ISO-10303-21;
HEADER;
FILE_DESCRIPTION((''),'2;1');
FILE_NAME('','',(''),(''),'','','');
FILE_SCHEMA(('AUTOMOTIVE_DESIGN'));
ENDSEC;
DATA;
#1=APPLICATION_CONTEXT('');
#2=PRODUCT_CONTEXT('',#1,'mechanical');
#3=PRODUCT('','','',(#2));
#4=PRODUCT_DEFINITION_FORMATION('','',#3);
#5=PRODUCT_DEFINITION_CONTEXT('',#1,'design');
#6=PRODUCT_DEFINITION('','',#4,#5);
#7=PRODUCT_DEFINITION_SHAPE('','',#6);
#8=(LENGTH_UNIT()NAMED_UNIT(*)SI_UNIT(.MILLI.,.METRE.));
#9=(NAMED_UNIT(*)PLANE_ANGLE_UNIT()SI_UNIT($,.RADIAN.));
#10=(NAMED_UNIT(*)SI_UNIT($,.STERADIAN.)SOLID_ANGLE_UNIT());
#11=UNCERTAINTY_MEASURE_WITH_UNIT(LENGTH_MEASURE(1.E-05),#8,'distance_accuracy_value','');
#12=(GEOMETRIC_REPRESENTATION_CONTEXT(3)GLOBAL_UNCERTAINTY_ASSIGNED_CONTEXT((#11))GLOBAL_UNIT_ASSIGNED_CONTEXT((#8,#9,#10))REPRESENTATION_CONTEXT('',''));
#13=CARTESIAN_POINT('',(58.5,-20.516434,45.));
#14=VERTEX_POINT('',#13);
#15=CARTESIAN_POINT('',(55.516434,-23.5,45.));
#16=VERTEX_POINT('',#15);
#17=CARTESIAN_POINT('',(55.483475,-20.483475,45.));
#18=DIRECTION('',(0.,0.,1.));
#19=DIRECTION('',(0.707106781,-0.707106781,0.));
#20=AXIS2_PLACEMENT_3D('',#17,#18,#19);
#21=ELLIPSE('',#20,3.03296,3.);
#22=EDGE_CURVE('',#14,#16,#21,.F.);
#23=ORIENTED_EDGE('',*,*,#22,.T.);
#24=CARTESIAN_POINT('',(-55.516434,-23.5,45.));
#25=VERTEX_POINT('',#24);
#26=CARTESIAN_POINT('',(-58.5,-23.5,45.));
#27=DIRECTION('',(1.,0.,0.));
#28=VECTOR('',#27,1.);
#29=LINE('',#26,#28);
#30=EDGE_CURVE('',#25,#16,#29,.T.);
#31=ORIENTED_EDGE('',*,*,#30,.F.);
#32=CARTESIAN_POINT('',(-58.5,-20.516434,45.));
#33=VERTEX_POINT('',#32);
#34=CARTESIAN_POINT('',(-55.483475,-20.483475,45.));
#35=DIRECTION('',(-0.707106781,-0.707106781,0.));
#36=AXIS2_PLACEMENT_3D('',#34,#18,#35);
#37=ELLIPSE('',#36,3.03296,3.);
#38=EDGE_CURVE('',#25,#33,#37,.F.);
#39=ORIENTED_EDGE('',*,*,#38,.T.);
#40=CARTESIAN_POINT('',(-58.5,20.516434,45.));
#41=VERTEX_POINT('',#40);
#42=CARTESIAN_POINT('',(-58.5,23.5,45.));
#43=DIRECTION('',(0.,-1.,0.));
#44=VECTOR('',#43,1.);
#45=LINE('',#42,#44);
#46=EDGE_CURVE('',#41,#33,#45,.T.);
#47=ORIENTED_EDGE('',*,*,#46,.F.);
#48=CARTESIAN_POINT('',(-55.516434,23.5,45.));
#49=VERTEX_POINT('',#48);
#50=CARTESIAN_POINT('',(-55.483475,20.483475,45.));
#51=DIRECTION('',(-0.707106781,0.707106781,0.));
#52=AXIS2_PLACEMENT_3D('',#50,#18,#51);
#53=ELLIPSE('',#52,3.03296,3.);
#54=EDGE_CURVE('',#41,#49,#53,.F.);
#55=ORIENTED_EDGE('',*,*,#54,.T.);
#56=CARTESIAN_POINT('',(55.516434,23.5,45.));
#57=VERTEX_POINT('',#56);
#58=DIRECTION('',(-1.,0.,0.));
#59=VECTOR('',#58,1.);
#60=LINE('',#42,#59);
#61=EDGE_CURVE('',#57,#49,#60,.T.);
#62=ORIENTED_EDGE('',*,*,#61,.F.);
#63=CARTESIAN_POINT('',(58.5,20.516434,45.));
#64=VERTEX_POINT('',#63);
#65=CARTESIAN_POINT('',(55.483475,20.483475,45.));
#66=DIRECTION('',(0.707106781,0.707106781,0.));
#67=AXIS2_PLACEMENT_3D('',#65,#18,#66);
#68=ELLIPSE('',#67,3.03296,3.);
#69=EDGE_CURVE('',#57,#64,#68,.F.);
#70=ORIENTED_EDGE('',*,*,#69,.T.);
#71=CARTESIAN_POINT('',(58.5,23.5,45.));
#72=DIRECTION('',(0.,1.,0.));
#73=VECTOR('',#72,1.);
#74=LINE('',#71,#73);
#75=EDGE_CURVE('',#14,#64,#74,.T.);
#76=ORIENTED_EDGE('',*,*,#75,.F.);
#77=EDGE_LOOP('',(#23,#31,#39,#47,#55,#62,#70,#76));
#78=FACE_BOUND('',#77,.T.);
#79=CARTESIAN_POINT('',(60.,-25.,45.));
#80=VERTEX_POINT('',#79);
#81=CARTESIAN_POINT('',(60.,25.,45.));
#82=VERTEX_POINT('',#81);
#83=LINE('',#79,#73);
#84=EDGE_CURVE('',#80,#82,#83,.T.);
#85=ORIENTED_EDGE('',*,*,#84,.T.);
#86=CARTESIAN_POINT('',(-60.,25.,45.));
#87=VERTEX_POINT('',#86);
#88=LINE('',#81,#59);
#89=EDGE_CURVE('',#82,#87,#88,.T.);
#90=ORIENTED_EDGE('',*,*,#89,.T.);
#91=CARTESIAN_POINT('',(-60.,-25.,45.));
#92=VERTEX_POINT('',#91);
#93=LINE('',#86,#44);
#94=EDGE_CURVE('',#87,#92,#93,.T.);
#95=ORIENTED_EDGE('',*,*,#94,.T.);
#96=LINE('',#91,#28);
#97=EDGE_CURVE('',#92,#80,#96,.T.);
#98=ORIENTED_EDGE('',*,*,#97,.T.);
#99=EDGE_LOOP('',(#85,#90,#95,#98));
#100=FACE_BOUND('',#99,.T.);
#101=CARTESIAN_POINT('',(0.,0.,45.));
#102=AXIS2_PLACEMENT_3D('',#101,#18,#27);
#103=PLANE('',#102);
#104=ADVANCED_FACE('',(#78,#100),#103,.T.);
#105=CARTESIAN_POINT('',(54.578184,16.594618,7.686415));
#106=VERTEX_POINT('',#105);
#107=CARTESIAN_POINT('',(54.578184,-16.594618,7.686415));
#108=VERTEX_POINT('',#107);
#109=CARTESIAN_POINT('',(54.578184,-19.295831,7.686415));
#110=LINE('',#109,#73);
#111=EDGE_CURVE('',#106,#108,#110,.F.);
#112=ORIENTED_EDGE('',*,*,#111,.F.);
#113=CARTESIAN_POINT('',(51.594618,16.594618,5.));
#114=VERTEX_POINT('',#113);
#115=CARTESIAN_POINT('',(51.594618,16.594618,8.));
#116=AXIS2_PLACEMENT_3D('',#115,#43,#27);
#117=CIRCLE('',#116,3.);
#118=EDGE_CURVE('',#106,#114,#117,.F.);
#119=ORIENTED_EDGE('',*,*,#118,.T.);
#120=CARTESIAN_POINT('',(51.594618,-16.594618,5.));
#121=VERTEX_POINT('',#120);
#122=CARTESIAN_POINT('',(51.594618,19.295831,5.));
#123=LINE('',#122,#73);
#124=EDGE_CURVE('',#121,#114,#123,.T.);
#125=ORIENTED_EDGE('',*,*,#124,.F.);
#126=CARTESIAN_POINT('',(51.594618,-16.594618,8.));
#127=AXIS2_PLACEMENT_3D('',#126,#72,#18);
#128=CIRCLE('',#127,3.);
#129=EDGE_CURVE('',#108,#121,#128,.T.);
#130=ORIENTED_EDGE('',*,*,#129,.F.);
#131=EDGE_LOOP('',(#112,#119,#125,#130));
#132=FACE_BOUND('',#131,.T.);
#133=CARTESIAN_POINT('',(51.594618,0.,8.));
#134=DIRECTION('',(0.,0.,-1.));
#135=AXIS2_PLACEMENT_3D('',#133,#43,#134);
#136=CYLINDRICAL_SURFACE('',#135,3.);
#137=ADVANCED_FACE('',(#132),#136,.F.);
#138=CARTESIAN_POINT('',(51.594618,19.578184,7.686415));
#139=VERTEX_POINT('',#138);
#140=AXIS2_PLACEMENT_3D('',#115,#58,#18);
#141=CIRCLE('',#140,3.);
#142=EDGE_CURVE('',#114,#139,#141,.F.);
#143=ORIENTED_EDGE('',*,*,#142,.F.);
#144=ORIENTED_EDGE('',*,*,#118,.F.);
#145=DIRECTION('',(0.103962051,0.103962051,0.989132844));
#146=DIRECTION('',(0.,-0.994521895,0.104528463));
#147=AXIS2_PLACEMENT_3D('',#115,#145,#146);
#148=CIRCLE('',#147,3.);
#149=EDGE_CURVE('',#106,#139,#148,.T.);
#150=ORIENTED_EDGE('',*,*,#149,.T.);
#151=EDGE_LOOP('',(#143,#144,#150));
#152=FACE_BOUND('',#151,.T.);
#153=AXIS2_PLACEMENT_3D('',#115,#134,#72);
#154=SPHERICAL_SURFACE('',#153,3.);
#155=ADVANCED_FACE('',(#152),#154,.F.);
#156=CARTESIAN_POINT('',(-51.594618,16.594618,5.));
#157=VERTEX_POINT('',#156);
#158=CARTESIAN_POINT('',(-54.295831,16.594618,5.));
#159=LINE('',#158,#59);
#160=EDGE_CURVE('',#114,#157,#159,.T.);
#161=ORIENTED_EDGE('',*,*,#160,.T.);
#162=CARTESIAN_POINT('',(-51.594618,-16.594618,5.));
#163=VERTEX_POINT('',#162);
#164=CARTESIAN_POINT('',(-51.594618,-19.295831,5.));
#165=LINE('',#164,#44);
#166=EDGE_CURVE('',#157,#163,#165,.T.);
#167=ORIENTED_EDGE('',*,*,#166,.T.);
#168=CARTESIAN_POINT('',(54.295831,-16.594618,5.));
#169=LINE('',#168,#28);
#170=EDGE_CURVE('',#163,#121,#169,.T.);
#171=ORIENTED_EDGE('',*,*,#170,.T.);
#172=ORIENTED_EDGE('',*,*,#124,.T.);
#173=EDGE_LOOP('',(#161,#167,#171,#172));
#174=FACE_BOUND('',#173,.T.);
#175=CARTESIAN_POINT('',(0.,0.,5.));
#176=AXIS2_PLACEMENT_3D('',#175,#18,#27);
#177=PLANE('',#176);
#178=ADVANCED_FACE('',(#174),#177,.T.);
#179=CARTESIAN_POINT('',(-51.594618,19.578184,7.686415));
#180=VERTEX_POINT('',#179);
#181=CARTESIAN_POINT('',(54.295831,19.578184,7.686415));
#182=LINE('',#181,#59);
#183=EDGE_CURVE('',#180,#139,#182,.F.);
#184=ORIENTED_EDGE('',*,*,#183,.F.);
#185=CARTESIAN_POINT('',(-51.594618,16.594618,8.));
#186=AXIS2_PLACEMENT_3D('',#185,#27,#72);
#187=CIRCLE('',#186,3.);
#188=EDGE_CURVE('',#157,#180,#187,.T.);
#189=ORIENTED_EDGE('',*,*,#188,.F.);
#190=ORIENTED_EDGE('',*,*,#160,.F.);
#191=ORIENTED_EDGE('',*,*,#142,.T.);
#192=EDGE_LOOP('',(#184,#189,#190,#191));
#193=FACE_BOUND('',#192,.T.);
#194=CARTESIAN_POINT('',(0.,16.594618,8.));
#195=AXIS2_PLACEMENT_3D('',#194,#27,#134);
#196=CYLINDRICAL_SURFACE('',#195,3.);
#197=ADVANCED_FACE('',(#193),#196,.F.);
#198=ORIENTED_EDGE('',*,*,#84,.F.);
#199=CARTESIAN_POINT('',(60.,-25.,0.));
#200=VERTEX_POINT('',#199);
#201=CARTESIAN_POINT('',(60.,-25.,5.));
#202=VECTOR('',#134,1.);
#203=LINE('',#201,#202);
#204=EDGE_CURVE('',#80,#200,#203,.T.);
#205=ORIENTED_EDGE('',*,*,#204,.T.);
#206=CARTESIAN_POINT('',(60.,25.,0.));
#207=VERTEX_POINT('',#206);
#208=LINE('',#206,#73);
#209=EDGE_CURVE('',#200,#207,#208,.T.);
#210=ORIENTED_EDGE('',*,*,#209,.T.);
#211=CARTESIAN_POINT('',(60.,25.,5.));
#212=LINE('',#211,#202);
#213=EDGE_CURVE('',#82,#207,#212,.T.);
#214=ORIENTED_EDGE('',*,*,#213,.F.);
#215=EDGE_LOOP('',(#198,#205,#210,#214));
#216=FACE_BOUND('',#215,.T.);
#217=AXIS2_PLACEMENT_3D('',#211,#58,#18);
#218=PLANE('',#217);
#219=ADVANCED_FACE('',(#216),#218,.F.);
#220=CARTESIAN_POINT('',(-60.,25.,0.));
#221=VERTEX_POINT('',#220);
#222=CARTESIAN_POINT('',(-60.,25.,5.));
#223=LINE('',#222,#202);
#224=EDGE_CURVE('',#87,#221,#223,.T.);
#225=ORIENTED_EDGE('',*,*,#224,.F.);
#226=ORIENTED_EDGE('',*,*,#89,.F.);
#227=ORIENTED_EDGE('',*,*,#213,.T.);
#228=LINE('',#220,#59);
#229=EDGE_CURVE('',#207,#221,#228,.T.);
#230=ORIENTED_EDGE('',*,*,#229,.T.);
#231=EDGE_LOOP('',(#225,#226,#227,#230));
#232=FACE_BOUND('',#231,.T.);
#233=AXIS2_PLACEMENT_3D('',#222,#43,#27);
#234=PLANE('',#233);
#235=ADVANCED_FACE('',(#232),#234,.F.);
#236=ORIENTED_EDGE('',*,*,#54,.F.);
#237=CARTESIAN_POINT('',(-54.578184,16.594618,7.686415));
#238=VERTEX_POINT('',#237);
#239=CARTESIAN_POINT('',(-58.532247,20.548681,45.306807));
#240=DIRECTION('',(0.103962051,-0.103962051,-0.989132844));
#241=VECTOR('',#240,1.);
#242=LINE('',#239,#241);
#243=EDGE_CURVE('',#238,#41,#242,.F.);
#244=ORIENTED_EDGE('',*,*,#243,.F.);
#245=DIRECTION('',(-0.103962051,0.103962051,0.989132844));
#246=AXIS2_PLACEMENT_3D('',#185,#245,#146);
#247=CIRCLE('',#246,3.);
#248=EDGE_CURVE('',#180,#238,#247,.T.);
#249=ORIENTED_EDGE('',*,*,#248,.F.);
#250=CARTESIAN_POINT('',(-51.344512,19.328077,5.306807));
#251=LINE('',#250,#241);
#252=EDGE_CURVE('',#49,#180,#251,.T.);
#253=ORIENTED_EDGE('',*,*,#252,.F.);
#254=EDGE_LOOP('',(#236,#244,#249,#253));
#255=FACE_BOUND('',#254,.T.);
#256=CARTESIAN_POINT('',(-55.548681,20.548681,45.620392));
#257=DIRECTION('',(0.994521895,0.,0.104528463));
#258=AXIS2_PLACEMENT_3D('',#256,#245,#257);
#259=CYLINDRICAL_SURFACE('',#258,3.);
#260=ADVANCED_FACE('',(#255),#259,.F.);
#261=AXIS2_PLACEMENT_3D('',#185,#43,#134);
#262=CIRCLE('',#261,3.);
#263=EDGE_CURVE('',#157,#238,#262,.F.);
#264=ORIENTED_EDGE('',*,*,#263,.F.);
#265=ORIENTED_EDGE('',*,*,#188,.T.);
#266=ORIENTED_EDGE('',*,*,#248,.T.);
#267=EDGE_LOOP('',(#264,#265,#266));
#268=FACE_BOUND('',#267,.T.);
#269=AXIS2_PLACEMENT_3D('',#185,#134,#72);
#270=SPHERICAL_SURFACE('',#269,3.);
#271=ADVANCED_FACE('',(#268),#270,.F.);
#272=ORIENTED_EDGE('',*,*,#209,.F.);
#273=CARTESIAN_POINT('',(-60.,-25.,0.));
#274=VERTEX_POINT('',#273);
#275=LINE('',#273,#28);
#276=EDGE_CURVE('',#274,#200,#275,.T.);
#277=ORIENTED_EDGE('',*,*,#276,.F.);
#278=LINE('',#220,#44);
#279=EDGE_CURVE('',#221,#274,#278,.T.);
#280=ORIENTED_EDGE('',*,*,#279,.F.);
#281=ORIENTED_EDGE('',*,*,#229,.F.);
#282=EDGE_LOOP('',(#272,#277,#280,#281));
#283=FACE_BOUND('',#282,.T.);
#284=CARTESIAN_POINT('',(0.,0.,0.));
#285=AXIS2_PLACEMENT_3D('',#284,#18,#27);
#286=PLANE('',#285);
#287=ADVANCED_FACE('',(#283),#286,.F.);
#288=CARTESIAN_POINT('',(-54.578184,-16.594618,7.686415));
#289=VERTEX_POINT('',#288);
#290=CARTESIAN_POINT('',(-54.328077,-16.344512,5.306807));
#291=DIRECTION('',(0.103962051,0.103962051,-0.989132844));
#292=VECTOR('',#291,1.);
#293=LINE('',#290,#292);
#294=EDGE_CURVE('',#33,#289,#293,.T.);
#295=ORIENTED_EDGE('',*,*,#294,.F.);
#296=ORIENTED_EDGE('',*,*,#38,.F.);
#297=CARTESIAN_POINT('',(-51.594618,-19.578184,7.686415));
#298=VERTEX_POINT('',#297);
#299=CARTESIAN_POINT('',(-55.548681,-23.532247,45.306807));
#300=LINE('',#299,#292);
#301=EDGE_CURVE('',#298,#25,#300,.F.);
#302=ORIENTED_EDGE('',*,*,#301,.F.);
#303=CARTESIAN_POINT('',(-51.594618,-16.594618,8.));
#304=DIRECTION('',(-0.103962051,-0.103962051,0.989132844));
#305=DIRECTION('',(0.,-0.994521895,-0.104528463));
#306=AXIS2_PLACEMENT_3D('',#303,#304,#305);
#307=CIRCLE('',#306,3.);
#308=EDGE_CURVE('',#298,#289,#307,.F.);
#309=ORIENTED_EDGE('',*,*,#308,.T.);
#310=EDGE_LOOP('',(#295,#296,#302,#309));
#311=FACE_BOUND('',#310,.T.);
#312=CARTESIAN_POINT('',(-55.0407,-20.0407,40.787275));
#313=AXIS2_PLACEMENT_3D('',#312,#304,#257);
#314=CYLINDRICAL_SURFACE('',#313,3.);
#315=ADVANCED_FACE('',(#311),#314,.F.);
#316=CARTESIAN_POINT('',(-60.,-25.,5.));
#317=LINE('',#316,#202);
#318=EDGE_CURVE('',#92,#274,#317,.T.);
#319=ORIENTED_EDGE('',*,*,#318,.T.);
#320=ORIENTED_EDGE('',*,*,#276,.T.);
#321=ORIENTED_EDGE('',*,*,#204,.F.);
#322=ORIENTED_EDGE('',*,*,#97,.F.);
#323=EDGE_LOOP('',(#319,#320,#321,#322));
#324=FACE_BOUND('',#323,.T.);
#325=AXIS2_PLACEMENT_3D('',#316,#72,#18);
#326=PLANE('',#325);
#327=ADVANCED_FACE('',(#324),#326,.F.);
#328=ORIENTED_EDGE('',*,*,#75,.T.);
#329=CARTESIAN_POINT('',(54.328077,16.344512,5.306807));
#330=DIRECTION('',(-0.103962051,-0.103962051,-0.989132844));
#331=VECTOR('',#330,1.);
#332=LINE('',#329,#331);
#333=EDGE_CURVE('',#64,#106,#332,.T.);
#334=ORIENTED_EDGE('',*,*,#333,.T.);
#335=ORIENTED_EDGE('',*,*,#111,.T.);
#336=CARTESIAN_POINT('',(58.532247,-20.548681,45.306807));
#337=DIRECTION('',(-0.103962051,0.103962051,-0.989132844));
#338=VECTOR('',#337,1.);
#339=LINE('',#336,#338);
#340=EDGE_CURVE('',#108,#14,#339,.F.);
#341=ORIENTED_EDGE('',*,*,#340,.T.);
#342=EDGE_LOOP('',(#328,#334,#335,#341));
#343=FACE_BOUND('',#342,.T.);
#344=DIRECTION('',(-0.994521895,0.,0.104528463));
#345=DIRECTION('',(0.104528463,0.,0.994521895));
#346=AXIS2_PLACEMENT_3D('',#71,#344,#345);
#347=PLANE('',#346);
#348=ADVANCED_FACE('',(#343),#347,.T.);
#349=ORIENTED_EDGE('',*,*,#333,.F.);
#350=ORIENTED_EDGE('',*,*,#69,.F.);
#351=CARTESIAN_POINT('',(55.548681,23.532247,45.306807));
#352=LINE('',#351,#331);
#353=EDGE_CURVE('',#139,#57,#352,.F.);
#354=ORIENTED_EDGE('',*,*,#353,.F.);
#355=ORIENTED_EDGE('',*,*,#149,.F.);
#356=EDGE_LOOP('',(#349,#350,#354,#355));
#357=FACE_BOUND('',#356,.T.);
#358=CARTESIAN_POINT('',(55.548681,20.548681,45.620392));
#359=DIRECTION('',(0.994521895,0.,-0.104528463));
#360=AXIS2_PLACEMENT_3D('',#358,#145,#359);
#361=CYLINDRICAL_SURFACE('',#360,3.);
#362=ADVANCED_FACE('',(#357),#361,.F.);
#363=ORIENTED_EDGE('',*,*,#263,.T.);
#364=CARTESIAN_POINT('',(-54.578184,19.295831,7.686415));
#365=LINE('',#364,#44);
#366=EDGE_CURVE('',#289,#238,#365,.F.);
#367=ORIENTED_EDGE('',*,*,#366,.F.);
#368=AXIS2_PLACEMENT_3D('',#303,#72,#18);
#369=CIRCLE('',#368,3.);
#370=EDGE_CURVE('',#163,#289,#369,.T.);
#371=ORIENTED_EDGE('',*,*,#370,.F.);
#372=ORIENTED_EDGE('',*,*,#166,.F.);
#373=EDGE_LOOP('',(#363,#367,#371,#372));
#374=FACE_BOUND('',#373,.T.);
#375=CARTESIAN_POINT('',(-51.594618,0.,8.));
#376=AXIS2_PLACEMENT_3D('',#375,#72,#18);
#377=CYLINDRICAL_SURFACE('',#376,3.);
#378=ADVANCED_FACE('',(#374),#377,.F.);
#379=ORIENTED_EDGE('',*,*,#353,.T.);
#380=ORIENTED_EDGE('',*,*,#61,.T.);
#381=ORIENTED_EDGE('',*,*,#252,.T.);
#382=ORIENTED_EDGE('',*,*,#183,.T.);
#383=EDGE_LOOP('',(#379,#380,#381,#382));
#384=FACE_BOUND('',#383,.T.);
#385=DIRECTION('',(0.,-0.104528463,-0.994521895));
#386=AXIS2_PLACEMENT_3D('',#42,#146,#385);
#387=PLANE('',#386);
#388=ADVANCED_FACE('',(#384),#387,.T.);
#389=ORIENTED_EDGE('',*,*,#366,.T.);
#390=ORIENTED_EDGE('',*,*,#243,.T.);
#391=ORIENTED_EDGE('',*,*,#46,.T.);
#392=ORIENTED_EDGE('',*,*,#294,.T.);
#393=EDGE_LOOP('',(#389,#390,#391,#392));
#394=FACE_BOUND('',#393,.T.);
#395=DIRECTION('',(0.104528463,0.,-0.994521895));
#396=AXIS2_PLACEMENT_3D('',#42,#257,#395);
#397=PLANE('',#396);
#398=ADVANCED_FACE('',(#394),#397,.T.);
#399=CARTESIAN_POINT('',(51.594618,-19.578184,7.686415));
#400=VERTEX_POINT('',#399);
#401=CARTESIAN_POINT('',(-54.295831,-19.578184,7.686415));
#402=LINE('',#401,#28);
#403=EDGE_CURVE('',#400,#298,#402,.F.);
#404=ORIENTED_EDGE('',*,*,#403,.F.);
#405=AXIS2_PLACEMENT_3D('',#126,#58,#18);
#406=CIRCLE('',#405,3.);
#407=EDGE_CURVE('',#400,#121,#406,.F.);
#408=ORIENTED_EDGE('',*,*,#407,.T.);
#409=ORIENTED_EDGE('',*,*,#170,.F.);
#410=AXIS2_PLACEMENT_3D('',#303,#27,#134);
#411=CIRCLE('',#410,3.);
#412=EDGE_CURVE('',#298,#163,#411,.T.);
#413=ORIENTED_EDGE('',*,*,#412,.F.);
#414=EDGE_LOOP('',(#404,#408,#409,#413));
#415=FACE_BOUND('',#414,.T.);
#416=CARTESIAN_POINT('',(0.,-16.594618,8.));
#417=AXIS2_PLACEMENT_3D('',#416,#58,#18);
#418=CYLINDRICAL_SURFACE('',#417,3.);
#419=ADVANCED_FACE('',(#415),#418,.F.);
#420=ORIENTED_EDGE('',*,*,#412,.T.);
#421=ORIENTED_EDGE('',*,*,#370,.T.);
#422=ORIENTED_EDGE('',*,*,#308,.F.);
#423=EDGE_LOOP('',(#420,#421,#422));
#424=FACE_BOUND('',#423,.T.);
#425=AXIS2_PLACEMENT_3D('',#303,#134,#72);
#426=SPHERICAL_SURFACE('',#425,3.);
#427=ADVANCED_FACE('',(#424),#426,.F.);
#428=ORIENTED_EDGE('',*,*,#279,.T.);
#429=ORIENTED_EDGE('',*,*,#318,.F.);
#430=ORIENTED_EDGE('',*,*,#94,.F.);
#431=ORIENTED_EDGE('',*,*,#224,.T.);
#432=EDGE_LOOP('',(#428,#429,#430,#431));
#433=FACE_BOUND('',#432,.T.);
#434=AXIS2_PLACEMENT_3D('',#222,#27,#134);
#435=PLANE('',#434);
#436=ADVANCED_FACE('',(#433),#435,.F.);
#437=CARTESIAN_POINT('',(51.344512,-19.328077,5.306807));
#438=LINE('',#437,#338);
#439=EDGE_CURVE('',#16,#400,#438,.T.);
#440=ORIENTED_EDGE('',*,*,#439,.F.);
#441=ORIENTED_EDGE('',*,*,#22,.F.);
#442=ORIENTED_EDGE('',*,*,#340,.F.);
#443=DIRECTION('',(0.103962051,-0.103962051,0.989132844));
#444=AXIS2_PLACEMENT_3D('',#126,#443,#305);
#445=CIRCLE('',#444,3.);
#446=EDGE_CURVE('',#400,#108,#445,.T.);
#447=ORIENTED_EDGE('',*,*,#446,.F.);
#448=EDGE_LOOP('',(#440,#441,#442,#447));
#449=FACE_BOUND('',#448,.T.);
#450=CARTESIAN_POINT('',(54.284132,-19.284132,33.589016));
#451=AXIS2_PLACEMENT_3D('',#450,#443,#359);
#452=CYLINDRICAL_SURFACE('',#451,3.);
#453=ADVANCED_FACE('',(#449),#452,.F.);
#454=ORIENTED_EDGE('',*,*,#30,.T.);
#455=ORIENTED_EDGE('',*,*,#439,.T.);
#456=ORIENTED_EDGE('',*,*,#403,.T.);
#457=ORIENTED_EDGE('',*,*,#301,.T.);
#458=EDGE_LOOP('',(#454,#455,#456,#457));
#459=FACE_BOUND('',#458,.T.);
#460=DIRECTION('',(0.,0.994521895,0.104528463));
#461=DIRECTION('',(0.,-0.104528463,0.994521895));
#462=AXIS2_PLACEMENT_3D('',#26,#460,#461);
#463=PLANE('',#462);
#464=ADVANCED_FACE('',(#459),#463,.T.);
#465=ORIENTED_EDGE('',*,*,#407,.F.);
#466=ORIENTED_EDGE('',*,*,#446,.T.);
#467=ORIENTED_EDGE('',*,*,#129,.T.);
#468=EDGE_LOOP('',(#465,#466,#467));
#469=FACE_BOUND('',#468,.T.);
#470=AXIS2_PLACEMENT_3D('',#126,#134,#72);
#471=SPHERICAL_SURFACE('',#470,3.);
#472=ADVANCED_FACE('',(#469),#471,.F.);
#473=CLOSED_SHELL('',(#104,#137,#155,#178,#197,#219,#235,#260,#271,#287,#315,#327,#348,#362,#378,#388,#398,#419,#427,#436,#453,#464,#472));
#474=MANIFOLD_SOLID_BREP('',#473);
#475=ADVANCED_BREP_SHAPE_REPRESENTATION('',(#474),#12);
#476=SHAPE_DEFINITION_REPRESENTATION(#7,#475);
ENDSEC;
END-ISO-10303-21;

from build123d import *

# Parameters (mm, degrees)
SKETCH1_W           = 120
SKETCH1_H           = 50
BOSS_EXTRUDE1_DEPTH = 5
SKETCH2_W           = 120
SKETCH2_H           = 50
SKETCH2_W_2         = 117
SKETCH2_H_2         = 47
BOSS_EXTRUDE3_DEPTH = 40
DRAFT2_ANGLE        = 6
FILLET1_R           = 3


with BuildPart() as part:
    # Sketch1 → Boss-Extrude1 (new body)
    with BuildSketch(Plane.XY):
        Rectangle(SKETCH1_W, SKETCH1_H)
    extrude(amount=BOSS_EXTRUDE1_DEPTH)

    # Sketch2 → Boss-Extrude3 (add)
    with BuildSketch(Plane.XY.offset(5)):
        Rectangle(SKETCH2_W, SKETCH2_H)
        Rectangle(SKETCH2_W_2, SKETCH2_H_2, mode=Mode.SUBTRACT)
    extrude(amount=BOSS_EXTRUDE3_DEPTH)

    # Draft2
    draft2_faces = [part.faces().sort_by_distance(p)[0] for p in [
        (-58.5, 0, 25),
        (0, 23.5, 25),
        (58.5, 0, 25),
        (0, -23.5, 25),
    ]]
    draft(draft2_faces, Plane.XY.offset(45), DRAFT2_ANGLE)

    # Fillet1
    fillet1_edges = [part.edges().sort_by_distance(p)[0] for p in [
        (54.295830589, 0, 5),
        (0, 19.295830589, 5),
        (-54.295830589, 0, 5),
        (0, -19.295830589, 5),
        (56.397915295, 21.397915295, 25),
        (-56.397915295, 21.397915295, 25),
        (-56.397915295, -21.397915295, 25),
        (56.397915295, -21.397915295, 25),
    ]]
    fillet(fillet1_edges, radius=FILLET1_R)


solid = part.part
